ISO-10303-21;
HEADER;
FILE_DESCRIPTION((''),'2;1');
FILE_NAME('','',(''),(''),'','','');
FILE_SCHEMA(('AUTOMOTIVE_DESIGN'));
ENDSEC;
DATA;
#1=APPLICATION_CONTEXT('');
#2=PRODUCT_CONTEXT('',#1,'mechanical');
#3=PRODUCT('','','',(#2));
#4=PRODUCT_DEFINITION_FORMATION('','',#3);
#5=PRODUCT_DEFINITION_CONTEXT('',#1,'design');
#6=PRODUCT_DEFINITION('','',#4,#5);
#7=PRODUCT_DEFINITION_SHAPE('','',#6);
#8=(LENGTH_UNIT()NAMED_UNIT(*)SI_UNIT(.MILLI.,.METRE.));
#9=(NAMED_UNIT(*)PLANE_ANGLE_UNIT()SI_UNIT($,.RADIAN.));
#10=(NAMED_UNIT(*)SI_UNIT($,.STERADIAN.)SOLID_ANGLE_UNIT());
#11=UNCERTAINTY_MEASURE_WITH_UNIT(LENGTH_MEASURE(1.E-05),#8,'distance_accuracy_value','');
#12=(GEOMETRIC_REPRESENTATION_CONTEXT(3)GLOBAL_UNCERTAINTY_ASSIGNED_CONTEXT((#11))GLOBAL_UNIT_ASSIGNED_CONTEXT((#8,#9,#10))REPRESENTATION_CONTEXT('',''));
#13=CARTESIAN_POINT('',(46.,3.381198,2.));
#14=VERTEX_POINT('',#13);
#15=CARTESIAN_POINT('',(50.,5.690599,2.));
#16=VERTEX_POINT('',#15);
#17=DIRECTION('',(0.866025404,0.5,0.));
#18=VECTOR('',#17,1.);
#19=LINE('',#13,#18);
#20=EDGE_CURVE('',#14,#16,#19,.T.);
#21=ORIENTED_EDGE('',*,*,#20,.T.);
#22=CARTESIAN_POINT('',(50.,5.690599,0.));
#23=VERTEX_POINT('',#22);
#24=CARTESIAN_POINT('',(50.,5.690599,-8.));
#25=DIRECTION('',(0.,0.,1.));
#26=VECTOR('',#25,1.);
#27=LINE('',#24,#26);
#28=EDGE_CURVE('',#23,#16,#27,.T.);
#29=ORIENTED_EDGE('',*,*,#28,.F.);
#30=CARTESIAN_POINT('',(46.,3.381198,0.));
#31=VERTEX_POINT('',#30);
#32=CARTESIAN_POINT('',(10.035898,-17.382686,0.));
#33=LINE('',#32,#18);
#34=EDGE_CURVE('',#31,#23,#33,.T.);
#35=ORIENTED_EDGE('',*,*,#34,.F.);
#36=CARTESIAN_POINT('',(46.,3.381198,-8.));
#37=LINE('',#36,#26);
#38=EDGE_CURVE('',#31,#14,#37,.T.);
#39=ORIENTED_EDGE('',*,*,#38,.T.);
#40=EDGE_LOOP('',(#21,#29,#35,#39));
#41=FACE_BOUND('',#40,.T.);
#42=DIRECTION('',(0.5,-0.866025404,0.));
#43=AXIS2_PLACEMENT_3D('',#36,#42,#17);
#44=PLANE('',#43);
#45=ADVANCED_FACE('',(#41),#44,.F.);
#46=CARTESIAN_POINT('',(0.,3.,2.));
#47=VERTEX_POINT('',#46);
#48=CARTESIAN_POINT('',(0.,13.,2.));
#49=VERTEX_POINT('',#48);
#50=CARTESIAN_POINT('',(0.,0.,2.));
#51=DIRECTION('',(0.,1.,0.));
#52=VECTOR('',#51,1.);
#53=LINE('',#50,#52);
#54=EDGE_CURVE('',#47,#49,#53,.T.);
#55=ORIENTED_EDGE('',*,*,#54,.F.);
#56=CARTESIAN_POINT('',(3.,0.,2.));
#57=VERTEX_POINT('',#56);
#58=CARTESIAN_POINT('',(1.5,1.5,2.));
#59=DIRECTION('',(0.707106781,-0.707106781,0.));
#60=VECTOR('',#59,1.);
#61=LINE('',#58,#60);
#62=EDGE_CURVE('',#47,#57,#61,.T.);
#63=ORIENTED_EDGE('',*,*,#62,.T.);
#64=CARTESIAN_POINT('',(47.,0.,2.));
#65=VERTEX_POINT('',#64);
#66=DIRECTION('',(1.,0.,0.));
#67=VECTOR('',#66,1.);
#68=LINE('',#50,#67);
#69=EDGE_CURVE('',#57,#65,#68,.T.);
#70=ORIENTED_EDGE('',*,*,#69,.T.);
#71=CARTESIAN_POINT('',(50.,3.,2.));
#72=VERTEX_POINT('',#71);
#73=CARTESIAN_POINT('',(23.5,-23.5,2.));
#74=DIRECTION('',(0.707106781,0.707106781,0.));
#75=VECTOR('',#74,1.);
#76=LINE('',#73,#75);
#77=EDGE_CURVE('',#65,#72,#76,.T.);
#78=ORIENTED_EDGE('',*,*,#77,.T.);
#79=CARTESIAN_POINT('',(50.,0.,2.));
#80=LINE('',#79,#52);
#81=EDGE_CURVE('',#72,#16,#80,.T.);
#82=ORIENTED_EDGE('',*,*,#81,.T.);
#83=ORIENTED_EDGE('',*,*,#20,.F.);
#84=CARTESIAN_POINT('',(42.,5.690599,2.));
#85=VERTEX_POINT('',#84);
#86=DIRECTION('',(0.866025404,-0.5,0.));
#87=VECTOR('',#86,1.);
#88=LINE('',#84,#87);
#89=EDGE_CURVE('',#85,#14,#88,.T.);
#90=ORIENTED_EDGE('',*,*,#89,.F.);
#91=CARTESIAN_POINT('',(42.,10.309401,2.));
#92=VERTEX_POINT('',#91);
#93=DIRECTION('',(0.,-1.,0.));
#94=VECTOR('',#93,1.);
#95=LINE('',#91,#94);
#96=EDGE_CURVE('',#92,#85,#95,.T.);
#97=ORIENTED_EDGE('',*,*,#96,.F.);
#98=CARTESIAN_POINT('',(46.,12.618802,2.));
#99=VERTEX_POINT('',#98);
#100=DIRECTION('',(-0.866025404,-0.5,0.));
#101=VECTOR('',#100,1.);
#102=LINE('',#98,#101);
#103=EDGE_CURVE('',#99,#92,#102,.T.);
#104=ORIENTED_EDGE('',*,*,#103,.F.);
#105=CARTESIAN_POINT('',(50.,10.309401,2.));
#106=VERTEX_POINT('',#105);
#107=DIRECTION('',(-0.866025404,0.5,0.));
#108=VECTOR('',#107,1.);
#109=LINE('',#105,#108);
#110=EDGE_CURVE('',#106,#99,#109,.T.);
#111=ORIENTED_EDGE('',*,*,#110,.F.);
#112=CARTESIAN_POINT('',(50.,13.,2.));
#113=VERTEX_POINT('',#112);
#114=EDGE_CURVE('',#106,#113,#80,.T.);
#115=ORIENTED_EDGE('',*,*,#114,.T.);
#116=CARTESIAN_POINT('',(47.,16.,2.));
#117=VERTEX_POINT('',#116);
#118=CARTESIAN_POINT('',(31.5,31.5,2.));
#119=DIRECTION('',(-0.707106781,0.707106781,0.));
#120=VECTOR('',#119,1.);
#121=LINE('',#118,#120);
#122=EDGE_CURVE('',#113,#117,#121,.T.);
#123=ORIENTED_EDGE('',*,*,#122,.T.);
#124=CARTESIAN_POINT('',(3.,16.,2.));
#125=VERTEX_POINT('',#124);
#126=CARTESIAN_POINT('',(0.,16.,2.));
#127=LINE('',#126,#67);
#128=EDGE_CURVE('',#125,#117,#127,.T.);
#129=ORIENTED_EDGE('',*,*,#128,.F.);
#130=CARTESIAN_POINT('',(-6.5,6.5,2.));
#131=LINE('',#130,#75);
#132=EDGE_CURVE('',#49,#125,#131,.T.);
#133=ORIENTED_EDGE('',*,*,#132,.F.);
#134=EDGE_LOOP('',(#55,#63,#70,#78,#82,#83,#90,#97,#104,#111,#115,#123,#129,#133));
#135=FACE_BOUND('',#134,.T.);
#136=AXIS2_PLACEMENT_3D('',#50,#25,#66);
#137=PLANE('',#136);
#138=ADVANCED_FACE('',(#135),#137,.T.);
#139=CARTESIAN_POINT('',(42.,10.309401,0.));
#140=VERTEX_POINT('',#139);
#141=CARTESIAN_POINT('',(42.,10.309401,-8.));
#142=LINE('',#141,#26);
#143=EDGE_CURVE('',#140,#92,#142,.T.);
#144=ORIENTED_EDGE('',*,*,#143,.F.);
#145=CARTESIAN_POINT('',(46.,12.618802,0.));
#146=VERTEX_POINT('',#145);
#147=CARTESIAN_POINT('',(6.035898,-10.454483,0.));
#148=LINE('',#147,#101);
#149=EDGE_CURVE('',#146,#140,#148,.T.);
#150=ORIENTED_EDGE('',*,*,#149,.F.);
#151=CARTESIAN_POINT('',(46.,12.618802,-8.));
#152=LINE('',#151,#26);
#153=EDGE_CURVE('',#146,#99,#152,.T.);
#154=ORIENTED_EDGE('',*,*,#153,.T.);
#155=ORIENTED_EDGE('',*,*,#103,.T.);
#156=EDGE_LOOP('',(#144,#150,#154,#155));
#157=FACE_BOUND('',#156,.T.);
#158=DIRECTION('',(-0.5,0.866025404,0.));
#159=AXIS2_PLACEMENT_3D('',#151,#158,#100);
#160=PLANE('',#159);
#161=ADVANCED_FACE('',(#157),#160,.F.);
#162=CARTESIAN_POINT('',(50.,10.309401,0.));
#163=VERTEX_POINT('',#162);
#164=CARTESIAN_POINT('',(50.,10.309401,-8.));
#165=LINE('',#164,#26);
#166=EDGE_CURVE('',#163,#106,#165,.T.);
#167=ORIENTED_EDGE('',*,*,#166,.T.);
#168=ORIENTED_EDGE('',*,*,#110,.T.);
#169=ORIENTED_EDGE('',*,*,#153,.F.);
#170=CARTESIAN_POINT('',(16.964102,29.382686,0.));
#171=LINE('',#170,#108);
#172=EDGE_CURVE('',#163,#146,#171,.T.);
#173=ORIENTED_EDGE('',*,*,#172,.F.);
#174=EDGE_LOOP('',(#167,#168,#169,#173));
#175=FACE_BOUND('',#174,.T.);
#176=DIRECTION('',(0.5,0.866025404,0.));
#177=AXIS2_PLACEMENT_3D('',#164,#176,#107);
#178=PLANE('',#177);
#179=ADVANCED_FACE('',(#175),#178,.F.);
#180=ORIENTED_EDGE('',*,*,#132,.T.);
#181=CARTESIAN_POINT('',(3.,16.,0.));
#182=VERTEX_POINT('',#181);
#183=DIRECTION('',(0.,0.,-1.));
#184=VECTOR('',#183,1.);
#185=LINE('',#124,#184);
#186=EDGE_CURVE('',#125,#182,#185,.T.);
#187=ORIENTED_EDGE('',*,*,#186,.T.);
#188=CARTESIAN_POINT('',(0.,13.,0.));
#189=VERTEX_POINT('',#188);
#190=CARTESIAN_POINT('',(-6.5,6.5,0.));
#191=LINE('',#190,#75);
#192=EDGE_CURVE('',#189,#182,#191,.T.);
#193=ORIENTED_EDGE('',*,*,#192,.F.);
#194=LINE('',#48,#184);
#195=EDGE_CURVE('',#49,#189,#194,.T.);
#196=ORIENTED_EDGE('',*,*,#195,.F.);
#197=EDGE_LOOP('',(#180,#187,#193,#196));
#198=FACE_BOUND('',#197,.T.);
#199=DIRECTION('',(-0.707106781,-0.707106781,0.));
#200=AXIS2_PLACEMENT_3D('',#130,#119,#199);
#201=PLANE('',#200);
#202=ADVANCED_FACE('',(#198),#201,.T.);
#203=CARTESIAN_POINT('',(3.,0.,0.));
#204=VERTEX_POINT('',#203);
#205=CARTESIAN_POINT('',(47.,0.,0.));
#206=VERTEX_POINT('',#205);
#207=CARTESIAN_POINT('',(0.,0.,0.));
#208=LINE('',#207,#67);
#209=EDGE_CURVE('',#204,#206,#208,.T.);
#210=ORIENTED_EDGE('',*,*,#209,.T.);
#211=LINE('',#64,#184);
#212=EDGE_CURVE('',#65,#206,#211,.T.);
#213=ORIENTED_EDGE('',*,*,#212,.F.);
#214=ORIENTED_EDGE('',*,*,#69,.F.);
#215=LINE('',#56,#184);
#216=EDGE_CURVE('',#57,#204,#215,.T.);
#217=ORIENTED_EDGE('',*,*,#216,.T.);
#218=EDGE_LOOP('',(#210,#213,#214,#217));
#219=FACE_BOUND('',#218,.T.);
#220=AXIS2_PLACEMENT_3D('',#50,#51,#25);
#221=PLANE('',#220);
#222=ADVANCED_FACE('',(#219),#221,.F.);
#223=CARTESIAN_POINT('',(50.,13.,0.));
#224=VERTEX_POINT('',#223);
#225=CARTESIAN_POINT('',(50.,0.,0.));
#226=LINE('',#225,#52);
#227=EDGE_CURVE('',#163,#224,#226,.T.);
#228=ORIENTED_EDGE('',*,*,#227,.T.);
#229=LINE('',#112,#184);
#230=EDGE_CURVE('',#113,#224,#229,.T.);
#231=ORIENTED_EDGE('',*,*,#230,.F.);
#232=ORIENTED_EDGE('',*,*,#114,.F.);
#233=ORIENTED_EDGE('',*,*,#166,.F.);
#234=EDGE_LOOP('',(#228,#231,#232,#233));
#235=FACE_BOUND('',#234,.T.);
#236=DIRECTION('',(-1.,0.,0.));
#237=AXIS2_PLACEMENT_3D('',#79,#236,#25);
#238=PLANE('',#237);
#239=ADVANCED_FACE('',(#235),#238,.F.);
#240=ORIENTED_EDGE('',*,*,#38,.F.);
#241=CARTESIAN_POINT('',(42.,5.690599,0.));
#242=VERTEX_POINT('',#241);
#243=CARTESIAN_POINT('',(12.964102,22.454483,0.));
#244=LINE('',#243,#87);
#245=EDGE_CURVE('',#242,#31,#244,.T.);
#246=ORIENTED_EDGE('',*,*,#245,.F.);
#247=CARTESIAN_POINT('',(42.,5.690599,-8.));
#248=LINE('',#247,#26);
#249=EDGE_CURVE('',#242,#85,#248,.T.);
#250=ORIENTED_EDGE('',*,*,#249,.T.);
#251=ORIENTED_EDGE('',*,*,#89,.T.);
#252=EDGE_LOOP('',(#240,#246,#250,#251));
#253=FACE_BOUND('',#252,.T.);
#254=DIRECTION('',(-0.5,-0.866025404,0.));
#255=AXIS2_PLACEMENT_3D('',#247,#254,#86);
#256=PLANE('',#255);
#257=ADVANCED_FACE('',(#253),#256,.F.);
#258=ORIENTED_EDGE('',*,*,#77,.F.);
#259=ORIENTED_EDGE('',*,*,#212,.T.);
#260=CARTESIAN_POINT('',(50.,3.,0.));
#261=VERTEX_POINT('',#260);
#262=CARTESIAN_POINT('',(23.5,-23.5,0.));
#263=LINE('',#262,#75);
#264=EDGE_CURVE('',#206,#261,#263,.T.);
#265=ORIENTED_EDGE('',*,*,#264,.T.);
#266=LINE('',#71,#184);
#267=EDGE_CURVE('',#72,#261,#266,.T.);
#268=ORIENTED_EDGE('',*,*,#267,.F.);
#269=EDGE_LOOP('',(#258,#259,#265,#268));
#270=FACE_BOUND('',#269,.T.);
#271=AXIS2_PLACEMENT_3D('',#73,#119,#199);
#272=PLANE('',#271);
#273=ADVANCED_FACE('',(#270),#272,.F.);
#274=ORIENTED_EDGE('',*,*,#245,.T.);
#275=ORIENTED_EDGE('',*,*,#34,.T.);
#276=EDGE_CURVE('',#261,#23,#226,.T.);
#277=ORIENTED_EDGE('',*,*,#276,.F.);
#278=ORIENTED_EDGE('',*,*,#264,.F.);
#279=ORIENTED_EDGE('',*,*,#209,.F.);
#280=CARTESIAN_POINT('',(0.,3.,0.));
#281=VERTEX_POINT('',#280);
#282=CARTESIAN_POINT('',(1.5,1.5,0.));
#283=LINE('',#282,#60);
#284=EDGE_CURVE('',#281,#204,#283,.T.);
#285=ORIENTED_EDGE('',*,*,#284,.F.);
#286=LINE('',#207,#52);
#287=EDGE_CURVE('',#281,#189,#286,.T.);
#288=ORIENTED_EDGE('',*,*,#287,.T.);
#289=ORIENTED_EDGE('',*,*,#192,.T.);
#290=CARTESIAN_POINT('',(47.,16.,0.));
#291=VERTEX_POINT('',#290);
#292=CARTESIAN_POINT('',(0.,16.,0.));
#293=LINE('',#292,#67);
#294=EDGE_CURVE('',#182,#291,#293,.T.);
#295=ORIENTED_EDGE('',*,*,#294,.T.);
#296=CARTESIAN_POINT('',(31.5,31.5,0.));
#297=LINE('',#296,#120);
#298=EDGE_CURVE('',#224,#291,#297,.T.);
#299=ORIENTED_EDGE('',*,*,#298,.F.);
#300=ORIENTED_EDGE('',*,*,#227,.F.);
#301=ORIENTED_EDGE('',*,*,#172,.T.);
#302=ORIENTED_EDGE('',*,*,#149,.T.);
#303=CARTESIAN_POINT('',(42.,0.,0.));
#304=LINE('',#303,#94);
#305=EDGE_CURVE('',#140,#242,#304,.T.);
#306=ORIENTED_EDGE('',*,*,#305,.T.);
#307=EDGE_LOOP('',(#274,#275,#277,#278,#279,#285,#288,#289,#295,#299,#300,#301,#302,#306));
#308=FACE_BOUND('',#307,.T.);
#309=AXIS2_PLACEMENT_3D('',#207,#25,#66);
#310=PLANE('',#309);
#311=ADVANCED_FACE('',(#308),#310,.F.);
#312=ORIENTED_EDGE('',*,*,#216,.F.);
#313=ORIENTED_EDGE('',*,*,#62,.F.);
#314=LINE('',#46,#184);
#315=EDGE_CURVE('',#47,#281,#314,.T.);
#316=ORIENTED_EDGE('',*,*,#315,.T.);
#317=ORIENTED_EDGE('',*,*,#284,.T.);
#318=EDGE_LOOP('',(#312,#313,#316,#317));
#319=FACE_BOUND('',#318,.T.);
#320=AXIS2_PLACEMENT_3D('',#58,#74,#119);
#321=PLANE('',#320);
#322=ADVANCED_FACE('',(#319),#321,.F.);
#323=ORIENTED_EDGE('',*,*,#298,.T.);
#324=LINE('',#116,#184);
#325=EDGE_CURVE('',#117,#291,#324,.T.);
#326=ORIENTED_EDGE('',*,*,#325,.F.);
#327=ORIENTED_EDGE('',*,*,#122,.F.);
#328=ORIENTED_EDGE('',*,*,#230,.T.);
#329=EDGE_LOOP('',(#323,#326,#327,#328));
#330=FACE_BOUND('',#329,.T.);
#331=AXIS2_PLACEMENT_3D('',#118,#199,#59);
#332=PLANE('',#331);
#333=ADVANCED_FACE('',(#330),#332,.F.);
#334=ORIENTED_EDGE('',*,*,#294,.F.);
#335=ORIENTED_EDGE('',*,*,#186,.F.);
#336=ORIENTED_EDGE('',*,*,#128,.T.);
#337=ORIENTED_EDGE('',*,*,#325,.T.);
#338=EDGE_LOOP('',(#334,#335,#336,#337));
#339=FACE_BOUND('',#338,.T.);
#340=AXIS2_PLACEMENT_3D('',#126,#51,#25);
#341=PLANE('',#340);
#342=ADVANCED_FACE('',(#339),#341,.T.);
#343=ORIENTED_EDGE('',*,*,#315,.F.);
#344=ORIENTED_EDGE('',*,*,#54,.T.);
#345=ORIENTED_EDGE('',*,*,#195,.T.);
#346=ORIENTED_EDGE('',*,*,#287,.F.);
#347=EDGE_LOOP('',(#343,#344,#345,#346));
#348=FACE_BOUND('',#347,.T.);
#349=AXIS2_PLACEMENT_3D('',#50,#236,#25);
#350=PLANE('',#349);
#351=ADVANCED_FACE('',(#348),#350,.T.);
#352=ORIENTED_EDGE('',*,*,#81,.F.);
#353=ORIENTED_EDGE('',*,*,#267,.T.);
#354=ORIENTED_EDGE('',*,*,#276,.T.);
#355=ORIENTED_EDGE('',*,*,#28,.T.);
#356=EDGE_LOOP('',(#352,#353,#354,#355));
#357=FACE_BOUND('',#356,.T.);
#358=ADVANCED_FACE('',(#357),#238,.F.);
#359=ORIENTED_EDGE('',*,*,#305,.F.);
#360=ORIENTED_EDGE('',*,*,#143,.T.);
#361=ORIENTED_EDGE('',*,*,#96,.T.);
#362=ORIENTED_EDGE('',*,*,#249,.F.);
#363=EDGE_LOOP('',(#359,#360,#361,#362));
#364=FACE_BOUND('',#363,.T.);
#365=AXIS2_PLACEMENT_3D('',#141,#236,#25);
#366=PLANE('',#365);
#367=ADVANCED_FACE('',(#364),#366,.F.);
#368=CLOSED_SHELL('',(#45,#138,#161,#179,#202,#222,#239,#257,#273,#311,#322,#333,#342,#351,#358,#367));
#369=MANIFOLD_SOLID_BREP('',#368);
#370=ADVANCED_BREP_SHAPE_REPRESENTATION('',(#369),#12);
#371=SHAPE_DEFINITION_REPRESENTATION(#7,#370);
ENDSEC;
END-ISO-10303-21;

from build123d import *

# Parameters (mm, degrees)
EXTRUDE_1_DEPTH     = 2
CUT_EXTRUDE_1_DEPTH = 10


with BuildPart() as part:
    # 스케치1 → 보스-돌출1 (new body)
    with BuildSketch(Plane.XY):
        Polygon((3, 16), (0, 13), (0, 3), (3, 0), (47, 0), (50, 3), (50, 13), (47, 16), align=None)
    extrude(amount=EXTRUDE_1_DEPTH)

    # 스케치2 → 컷-돌출1 (cut)
    with BuildSketch(Plane.XY.offset(2)):
        Polygon((46, 12.618802154), (42, 10.309401077), (42, 5.690598923), (46, 3.381197846), (50, 5.690598923), (50, 10.309401077), align=None)
    extrude(amount=-CUT_EXTRUDE_1_DEPTH, mode=Mode.SUBTRACT)


solid = part.part
